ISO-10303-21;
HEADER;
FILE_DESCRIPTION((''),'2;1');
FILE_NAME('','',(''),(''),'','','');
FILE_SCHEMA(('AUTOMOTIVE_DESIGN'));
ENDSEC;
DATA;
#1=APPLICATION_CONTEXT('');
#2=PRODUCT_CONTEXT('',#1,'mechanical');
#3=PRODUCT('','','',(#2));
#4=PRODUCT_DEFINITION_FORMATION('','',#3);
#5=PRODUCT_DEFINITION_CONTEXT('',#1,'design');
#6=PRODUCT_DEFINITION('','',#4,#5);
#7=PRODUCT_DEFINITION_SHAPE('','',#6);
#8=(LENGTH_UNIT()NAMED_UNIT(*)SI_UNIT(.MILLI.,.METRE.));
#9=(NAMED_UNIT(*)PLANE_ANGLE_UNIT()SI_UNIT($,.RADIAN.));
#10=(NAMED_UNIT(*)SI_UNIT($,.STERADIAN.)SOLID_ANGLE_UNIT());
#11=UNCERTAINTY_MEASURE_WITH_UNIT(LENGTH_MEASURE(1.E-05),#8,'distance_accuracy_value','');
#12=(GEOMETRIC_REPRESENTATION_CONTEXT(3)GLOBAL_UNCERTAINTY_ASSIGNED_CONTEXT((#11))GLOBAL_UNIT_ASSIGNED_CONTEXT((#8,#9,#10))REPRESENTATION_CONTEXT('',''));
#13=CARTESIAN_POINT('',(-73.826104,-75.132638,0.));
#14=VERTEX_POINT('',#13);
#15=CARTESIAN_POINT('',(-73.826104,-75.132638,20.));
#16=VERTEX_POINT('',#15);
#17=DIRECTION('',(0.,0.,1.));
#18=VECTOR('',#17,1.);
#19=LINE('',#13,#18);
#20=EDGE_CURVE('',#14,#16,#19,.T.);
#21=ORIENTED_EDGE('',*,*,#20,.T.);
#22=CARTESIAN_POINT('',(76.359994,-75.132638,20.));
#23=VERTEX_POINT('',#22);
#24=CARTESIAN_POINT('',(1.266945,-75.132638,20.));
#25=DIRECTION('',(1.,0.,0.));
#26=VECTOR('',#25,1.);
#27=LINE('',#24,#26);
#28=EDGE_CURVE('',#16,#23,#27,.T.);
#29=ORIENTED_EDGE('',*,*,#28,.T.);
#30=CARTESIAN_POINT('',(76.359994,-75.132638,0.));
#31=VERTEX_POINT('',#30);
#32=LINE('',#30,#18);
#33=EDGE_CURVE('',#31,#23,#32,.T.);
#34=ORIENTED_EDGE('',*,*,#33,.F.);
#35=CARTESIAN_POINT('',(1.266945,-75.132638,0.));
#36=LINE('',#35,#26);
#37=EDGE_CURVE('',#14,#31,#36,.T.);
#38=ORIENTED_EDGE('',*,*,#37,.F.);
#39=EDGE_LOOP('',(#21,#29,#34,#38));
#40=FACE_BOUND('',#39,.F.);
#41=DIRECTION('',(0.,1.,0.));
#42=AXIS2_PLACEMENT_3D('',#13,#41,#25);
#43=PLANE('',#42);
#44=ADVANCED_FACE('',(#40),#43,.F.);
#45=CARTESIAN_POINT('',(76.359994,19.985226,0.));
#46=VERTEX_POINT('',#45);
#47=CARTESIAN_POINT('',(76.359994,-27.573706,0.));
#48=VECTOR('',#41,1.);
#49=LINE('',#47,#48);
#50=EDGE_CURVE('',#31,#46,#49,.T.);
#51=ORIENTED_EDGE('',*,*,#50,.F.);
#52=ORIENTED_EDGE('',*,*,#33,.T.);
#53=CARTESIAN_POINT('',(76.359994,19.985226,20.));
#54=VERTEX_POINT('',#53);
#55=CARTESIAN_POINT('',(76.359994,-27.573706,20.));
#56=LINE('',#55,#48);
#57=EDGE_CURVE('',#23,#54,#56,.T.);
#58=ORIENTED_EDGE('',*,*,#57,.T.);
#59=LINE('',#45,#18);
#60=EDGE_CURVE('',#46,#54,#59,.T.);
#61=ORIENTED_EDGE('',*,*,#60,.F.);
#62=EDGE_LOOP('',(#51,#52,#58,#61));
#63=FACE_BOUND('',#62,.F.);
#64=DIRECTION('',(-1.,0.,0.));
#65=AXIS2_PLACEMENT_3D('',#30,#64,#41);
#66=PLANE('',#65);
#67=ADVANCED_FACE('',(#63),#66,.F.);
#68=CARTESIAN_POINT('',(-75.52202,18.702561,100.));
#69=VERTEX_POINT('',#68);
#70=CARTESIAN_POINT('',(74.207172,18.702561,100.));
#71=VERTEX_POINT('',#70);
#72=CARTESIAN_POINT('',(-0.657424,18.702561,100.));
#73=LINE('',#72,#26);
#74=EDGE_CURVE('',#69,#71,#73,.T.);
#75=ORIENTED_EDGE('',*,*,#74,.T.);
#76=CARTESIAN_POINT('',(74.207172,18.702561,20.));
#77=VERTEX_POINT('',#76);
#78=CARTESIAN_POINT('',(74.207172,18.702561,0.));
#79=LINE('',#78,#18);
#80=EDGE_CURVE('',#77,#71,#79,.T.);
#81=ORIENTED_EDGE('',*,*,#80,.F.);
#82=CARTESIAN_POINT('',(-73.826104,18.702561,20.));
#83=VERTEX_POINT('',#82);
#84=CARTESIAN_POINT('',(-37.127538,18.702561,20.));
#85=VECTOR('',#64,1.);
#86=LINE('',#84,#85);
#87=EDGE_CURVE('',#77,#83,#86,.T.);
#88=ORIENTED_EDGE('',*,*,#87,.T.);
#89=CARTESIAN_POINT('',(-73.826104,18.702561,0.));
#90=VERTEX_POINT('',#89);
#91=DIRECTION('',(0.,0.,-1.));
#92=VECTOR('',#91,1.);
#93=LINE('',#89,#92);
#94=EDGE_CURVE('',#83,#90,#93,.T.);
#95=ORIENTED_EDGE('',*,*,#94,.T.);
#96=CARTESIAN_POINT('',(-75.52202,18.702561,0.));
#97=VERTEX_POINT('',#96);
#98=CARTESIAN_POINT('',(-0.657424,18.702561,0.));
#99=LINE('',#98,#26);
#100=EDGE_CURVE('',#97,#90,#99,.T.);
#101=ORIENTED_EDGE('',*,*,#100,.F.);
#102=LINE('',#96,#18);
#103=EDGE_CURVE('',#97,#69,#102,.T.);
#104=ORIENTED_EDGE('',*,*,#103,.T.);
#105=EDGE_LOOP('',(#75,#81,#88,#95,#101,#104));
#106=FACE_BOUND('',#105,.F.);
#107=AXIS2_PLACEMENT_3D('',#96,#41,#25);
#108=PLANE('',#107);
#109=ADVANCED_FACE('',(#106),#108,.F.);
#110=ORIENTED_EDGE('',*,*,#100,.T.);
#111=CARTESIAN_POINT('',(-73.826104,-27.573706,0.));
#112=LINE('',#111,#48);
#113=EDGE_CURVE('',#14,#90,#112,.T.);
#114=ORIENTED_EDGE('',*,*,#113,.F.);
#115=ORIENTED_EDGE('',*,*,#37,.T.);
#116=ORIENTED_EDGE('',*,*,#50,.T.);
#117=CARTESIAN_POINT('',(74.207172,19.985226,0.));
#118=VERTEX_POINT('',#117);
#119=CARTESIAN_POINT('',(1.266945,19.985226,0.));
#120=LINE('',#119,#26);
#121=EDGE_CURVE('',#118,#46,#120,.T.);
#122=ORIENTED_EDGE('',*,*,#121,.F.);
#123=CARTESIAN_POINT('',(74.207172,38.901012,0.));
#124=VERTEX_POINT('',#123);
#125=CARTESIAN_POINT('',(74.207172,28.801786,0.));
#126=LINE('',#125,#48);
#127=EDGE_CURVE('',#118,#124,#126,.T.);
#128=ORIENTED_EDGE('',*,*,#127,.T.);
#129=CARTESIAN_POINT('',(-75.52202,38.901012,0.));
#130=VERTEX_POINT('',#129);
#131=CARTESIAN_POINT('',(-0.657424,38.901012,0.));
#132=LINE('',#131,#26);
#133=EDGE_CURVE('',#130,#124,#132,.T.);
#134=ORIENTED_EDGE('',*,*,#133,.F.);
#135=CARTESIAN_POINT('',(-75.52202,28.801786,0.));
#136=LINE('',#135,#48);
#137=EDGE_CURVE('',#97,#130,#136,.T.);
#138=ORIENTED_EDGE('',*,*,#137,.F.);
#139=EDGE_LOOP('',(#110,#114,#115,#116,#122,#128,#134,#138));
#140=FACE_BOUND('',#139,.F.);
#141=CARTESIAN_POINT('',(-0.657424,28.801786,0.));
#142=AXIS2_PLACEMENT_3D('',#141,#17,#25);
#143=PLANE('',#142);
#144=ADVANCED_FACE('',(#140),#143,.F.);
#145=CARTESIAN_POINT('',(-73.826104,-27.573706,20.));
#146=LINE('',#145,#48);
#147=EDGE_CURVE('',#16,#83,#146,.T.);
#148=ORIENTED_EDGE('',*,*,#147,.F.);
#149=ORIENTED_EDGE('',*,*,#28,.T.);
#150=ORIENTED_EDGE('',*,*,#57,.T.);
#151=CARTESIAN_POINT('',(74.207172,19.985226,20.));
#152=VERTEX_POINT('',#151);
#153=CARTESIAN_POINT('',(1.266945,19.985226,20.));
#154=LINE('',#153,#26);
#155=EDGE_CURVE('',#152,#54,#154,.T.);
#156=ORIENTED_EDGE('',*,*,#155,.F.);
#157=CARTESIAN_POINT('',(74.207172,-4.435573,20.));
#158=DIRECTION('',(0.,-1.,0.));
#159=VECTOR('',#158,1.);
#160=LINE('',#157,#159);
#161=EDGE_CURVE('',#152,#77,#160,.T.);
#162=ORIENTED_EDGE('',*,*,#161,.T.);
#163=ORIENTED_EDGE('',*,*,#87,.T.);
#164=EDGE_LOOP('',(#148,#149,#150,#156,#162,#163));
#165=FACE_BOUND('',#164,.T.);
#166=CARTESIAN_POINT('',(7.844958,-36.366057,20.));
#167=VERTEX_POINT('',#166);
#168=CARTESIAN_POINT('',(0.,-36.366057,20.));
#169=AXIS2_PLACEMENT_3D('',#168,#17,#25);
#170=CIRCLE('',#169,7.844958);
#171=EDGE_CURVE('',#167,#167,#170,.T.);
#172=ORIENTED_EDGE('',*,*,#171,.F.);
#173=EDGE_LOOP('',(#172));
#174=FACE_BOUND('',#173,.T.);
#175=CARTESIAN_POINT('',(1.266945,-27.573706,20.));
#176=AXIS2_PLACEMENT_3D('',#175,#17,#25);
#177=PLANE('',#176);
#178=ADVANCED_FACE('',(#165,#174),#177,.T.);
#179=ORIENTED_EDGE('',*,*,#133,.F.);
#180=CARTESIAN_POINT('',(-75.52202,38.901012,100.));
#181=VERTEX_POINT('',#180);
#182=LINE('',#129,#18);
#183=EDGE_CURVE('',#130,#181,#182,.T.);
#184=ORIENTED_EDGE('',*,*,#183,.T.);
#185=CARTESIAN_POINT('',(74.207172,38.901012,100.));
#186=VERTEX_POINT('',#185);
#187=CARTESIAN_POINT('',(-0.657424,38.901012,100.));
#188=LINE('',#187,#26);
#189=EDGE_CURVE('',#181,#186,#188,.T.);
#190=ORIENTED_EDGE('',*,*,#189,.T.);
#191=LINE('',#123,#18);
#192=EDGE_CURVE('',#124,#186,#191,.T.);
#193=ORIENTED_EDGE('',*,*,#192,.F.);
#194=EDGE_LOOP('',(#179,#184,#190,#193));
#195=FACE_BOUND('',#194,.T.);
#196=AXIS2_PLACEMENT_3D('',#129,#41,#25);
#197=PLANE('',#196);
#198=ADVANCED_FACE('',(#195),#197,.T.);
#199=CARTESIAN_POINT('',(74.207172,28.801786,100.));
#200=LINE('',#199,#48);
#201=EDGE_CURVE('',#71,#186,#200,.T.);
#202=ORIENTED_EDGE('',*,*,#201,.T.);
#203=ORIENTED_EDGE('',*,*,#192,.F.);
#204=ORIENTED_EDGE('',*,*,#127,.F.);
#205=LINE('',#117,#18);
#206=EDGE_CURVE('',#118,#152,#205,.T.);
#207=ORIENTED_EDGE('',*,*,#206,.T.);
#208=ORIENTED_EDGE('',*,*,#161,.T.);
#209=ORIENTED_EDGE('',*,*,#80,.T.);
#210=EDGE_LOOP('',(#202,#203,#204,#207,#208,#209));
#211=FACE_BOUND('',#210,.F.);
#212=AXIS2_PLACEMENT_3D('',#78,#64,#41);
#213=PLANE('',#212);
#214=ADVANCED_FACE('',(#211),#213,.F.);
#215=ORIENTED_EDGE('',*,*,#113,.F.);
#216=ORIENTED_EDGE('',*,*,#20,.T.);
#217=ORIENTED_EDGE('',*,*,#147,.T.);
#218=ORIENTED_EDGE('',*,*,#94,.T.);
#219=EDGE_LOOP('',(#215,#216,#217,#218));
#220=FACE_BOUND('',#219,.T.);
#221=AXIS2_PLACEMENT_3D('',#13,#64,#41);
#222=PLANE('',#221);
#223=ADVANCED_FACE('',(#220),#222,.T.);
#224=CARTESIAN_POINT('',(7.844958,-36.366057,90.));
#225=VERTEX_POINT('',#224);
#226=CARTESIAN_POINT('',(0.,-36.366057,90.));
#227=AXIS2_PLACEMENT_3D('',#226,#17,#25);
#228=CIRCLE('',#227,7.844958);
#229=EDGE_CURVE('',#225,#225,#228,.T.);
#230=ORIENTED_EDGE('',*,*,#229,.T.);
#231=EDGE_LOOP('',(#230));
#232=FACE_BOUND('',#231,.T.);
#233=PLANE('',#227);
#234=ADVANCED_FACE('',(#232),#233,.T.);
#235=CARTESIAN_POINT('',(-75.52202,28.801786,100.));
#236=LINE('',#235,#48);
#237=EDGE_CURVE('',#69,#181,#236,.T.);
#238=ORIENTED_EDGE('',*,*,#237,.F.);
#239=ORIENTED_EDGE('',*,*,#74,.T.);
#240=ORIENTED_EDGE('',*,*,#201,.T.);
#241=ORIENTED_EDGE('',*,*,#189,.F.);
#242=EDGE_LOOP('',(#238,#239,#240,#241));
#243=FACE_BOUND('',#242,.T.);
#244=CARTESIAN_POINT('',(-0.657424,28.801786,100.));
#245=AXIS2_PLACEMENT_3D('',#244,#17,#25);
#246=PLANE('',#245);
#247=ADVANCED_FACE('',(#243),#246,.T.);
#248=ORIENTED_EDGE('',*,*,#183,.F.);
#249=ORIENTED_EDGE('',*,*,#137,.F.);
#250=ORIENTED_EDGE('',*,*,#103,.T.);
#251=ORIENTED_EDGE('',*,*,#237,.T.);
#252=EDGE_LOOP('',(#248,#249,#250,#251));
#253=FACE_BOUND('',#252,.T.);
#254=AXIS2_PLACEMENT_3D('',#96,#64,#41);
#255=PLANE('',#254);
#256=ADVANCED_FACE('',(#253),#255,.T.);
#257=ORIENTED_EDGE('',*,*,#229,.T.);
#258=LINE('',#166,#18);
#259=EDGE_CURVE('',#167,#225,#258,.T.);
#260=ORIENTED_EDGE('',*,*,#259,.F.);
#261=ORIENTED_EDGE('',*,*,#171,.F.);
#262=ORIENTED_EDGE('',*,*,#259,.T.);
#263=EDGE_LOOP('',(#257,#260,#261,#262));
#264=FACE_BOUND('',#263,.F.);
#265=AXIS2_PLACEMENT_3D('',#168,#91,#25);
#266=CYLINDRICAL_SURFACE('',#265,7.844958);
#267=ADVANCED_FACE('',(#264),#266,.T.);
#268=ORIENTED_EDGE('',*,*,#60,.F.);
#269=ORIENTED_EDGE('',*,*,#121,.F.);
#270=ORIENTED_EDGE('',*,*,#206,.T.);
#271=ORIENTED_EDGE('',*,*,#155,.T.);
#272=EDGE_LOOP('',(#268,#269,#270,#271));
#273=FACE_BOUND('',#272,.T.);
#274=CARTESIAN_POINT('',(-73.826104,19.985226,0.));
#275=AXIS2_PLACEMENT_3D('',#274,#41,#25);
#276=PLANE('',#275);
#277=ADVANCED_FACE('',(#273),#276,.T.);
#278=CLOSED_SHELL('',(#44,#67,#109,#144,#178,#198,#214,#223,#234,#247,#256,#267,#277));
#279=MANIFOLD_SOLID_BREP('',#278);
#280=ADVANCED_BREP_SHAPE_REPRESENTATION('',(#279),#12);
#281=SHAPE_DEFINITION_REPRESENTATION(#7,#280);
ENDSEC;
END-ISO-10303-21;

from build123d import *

# Parameters (mm, degrees)
F0_W     = 150.186099
F0_H     = 95.117865
F1_DEPTH = 20
F2_R     = 7.844958
F3_DEPTH = 70
F4_W     = 149.729192
F4_H     = 20.198451
F5_DEPTH = 100


with BuildPart() as f1:
    # F0 (on Top) → F1 (new body)
    with BuildSketch(Plane.XY):
        with Locations((1.266945, -27.573706)):
            Rectangle(F0_W, F0_H)
    extrude(amount=F1_DEPTH)

    # F2 (on face) → F3 (join)
    with BuildSketch(Plane.XY.offset(20)):
        with Locations((0, -36.366057)):
            Circle(F2_R)
    extrude(amount=F3_DEPTH)

    # F4 (on Top) → F5 (join)
    with BuildSketch(Plane.XY):
        with Locations((-0.657424, 28.801786)):
            Rectangle(F4_W, F4_H)
    extrude(amount=F5_DEPTH)


solid = f1.part
